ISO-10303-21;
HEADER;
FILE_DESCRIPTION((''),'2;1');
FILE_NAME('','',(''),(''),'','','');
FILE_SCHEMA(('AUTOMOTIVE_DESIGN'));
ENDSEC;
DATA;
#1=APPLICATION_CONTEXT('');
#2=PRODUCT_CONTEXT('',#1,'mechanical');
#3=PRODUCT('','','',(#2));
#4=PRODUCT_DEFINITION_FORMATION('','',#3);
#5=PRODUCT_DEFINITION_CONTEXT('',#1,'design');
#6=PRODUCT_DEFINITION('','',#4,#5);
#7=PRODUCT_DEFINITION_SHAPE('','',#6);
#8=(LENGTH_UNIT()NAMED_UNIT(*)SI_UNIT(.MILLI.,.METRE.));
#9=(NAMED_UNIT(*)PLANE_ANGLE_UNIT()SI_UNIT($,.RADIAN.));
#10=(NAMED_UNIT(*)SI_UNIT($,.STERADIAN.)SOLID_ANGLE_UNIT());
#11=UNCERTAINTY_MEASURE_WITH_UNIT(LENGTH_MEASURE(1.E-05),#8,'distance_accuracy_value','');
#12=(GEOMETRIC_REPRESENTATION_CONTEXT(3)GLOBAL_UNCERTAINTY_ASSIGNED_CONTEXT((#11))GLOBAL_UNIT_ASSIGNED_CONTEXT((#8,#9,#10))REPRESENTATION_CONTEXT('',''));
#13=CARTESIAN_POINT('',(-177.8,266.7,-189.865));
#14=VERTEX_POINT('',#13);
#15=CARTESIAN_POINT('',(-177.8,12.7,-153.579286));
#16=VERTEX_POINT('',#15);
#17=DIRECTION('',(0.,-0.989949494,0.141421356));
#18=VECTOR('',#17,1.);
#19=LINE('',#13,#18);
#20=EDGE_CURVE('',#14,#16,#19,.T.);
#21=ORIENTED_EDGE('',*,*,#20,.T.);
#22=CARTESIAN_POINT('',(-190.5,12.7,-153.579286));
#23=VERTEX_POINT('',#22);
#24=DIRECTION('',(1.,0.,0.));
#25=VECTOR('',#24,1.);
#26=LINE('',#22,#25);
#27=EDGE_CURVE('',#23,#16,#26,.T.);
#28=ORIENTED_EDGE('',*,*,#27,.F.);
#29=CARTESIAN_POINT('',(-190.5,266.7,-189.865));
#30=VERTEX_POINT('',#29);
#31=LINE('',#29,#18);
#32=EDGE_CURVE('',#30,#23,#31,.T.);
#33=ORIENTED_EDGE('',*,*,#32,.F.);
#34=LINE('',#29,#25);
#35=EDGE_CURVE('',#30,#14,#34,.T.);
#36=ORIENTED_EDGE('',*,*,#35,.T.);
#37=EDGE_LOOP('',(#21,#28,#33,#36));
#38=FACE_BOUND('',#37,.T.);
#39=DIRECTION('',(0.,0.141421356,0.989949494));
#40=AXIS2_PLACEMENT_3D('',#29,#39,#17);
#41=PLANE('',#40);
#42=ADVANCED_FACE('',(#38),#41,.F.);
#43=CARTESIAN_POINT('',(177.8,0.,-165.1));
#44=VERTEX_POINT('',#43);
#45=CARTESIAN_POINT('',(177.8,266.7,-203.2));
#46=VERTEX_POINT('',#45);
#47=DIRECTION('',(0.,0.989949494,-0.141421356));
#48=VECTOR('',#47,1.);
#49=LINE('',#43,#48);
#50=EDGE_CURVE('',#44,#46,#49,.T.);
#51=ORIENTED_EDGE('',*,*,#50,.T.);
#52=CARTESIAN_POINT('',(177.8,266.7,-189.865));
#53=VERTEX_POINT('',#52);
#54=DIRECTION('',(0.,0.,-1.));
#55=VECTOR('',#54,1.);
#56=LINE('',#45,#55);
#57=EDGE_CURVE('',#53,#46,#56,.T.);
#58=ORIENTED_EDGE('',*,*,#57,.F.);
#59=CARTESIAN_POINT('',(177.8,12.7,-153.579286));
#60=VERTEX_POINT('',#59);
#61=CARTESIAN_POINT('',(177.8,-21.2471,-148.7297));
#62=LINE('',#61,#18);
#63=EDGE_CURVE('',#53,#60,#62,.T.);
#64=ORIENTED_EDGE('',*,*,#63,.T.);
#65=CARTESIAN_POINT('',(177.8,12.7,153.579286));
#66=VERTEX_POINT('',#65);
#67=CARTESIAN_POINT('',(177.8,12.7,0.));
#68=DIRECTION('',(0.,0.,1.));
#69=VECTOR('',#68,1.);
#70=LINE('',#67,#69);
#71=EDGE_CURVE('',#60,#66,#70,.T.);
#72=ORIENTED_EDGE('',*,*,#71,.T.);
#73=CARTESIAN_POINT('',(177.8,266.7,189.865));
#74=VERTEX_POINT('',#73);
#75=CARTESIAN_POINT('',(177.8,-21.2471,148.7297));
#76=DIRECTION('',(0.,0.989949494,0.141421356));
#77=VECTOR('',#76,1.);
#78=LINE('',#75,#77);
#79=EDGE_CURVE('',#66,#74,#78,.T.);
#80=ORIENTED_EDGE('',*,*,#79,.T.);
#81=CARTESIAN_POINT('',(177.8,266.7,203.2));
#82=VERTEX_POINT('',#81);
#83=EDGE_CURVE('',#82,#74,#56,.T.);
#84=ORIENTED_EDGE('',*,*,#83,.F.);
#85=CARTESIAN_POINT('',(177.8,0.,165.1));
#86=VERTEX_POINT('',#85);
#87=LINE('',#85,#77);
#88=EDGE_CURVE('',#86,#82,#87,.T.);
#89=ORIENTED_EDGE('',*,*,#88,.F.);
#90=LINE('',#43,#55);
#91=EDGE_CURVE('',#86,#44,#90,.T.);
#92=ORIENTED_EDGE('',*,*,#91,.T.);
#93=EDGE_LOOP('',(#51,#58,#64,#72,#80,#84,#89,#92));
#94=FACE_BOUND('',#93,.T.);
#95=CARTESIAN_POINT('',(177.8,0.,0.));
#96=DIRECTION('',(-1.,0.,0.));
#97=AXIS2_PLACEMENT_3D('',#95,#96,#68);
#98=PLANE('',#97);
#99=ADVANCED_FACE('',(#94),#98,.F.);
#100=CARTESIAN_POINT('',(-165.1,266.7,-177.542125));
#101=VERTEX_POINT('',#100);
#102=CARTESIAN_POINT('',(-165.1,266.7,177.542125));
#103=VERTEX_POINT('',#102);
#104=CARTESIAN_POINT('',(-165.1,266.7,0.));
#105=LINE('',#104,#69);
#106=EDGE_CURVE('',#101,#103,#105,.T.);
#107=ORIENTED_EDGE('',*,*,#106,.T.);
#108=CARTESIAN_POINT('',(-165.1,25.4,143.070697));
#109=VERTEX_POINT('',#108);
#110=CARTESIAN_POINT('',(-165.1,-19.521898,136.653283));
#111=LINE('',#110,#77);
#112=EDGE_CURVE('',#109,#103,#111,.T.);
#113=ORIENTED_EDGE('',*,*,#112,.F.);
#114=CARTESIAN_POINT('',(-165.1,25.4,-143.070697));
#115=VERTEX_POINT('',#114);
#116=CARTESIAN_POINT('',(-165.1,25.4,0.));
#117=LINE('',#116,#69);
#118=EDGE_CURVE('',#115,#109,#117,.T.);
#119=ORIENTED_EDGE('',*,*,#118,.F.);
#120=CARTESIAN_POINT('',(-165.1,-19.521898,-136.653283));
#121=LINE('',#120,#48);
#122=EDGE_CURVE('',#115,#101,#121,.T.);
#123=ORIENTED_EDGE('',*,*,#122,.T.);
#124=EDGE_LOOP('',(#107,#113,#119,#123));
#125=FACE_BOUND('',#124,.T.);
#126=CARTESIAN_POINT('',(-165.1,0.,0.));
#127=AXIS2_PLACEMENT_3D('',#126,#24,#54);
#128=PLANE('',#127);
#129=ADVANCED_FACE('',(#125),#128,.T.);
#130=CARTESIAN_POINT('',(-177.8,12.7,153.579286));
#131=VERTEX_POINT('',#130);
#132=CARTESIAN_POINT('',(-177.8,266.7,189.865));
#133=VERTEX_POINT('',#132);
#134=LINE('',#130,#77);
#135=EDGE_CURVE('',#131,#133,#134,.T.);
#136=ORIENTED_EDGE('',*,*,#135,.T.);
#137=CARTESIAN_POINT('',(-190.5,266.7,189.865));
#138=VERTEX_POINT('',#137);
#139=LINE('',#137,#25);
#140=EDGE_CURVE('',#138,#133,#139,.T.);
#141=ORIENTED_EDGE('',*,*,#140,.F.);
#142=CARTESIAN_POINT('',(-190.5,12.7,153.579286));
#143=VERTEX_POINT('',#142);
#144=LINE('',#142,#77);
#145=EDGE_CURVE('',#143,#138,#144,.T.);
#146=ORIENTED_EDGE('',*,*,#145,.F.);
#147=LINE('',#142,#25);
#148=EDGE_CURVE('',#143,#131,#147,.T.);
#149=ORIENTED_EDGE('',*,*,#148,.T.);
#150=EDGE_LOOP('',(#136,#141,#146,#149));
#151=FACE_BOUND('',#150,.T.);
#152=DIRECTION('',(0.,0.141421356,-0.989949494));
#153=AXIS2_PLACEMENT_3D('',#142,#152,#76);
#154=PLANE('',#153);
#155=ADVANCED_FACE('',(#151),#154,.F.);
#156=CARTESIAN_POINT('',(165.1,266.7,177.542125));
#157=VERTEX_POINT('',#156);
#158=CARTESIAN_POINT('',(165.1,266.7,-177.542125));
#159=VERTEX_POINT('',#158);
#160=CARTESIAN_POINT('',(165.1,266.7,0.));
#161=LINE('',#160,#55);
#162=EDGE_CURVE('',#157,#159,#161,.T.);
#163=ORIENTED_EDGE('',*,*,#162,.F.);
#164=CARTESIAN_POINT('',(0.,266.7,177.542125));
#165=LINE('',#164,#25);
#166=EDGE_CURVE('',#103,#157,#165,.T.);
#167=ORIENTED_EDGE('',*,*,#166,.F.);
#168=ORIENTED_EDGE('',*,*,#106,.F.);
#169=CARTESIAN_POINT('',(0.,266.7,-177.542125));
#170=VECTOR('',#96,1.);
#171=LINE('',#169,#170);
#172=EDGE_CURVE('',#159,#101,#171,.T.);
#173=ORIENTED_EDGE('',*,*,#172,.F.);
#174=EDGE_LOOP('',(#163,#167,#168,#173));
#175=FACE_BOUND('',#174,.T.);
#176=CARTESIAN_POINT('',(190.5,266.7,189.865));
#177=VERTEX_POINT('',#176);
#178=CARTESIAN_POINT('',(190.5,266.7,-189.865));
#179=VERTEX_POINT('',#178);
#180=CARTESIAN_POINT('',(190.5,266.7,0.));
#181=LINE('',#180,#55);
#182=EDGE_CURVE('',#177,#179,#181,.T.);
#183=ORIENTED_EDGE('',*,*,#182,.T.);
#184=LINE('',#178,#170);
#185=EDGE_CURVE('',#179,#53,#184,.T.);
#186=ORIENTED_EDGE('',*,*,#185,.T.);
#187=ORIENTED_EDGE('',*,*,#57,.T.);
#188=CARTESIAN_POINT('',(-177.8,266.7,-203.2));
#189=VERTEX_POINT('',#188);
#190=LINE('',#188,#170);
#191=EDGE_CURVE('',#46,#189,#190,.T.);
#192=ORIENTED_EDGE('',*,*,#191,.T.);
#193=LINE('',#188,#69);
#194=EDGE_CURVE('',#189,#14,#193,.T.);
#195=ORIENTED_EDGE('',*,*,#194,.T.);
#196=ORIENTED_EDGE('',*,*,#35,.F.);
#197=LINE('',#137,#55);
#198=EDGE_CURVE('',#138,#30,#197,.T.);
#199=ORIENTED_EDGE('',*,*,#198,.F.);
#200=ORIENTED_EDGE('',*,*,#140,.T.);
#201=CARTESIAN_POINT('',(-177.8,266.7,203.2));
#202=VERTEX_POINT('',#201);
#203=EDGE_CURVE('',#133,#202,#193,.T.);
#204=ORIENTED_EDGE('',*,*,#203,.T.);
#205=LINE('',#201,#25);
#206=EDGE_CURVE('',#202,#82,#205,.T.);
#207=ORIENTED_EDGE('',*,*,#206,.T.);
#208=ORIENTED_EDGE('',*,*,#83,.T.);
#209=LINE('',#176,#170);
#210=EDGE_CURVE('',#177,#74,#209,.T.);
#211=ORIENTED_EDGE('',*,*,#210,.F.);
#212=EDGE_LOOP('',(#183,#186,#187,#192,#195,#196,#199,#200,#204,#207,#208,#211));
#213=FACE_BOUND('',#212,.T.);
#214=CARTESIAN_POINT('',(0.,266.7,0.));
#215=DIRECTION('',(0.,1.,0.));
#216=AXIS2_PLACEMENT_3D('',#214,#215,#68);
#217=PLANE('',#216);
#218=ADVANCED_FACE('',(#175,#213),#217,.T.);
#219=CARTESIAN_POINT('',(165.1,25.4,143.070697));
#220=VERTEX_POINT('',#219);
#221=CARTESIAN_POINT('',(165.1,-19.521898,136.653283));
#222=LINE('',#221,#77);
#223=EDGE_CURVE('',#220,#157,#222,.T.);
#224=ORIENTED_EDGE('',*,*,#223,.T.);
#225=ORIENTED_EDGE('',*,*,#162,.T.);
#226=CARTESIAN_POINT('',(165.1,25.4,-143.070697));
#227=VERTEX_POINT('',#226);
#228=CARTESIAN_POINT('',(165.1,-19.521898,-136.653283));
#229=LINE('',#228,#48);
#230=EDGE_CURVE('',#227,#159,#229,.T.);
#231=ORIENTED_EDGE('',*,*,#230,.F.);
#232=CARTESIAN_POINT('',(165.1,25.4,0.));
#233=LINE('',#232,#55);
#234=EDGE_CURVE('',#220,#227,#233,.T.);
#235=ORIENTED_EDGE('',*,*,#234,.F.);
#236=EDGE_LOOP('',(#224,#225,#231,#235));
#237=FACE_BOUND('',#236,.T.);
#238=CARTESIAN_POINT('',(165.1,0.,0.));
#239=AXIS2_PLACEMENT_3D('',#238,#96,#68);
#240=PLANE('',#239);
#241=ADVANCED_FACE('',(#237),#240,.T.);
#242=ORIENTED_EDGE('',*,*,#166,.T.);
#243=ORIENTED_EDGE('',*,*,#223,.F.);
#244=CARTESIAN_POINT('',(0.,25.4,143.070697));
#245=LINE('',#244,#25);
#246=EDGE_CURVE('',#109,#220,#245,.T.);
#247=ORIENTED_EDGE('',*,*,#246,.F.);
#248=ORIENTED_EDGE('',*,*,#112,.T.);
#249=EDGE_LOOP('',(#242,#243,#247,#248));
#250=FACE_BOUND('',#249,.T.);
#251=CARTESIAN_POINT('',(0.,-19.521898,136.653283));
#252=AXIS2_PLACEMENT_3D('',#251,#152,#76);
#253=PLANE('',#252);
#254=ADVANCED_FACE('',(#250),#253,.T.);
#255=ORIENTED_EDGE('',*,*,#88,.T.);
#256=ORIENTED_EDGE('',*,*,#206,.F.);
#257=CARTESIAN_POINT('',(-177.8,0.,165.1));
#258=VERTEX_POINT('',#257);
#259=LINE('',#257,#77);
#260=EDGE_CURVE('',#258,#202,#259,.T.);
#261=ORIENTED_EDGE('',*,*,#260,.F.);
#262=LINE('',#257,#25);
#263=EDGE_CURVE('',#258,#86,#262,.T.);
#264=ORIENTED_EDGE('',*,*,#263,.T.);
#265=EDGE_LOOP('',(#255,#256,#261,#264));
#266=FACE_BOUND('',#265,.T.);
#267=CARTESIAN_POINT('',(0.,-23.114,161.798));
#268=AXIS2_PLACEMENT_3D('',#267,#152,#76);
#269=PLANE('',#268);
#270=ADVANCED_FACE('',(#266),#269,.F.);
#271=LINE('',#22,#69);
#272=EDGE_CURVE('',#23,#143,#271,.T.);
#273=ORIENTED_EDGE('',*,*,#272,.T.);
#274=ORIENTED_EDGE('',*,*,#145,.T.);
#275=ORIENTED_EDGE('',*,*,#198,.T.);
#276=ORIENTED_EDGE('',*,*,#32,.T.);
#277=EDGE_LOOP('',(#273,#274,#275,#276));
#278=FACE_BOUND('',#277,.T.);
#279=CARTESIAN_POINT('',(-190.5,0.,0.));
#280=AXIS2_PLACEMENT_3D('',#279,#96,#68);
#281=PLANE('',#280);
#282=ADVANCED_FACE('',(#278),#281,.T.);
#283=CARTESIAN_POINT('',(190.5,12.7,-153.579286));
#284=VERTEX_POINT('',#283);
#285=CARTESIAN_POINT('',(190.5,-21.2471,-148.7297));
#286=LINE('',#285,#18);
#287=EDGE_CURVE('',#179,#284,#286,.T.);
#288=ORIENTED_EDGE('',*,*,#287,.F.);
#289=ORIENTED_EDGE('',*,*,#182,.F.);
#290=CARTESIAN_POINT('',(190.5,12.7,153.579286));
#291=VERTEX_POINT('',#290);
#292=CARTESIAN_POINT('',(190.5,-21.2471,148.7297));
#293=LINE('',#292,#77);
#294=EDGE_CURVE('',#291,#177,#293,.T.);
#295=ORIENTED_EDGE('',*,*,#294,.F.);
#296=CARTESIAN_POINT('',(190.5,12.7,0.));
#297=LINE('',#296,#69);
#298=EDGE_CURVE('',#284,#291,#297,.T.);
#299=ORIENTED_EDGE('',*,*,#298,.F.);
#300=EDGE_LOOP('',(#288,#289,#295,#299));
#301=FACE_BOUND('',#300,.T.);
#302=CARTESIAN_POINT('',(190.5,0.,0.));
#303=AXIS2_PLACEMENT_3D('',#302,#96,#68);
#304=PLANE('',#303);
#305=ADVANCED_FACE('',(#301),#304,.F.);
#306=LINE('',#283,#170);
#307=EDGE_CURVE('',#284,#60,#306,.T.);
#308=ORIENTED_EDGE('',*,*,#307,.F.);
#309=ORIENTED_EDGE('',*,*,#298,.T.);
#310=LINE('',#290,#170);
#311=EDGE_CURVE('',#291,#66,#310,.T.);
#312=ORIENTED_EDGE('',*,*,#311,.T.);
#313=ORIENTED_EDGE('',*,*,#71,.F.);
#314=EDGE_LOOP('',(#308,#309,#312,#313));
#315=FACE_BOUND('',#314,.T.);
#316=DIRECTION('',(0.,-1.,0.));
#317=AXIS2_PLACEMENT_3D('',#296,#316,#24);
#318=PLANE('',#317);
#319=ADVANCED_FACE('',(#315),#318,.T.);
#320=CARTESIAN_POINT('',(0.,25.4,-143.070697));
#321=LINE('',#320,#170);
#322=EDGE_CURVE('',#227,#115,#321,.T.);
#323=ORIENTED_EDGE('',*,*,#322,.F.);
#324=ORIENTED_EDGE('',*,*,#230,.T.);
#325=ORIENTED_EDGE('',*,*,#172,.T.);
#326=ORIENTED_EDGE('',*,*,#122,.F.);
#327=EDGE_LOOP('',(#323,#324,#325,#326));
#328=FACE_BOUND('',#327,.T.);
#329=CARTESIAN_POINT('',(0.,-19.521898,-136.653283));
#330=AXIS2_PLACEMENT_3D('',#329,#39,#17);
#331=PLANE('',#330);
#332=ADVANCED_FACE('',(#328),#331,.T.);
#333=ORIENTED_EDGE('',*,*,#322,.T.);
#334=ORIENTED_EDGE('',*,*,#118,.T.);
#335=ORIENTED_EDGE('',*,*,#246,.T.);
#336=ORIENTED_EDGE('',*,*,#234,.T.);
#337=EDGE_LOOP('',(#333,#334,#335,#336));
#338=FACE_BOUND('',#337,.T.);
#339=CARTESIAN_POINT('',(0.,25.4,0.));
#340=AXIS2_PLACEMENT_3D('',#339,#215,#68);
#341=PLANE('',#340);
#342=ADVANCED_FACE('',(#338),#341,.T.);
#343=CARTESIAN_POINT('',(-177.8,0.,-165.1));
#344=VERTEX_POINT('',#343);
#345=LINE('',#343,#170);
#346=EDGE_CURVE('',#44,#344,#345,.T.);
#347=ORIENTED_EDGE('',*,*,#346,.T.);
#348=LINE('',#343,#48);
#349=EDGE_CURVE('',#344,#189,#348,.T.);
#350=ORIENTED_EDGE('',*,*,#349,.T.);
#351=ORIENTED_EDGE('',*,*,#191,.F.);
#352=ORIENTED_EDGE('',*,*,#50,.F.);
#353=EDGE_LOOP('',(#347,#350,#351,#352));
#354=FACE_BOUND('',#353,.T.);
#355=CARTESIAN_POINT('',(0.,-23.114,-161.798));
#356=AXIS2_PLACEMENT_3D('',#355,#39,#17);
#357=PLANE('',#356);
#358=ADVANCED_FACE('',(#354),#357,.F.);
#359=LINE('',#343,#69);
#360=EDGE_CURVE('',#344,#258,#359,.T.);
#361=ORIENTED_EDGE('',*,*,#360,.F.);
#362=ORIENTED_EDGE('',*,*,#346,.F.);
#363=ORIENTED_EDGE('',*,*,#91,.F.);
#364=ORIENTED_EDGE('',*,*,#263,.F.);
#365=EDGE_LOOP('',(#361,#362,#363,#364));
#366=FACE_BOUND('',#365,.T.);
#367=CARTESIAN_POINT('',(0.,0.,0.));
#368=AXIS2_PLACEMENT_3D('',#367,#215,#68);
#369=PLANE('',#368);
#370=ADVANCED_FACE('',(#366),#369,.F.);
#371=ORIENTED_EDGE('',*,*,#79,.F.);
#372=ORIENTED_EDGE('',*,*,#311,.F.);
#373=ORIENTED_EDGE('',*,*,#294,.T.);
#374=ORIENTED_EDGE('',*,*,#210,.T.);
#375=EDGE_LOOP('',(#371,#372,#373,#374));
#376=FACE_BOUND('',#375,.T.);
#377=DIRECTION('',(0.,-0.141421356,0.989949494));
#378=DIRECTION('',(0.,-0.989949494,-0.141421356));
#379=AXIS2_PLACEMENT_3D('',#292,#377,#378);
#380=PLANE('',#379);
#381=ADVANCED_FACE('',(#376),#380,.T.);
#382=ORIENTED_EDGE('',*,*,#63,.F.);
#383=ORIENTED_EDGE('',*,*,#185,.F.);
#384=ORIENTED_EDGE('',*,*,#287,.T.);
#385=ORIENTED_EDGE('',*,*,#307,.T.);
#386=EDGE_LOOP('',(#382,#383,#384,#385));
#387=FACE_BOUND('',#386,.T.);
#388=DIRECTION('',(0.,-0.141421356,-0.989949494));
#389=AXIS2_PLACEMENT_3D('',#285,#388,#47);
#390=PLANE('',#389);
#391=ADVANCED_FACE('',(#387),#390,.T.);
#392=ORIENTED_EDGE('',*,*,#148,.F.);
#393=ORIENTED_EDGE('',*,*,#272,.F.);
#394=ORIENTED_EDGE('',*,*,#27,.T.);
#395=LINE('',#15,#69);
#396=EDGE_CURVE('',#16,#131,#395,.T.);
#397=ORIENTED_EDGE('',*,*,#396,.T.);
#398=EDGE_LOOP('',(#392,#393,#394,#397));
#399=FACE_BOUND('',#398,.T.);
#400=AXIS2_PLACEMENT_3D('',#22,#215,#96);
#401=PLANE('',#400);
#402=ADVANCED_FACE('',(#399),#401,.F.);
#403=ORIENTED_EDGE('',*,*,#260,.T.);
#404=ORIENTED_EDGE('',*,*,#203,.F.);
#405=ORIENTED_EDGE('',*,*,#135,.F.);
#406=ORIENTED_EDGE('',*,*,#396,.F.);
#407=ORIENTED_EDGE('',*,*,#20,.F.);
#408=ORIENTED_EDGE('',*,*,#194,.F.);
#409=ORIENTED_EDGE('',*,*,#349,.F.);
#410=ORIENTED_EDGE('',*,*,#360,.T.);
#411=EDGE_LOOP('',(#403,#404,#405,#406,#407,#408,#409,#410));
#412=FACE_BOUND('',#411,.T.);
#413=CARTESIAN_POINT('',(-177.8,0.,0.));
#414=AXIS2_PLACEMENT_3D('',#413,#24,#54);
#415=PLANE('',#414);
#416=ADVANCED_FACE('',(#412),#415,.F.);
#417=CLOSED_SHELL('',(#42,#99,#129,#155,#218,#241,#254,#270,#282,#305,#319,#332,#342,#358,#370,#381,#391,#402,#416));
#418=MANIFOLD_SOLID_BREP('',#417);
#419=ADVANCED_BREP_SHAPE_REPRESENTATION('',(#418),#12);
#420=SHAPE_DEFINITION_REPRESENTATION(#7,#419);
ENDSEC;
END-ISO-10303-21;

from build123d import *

# Parameters (mm, degrees)
SHELL1_T                 = -25.4
SHELL1_THICKNESS_2_DEPTH = 12.7
SHELL1_THICKNESS_3_DEPTH = 12.7
BOSS_EXTRUDE2_START      = -12.7
BOSS_EXTRUDE2_DEPTH      = 25.4
BOSS_EXTRUDE3_DEPTH      = 12.7


with BuildPart() as part:
    # Sketch1 → Loft1 section 0
    with BuildSketch(Plane(origin=(0, 0, 0), x_dir=(1, 0, 0), z_dir=(0, 1, 0))):
        with BuildLine():
            Line((-177.8, 165.1), (177.8, 165.1))
            Line((177.8, 165.1), (177.8, -165.1))
            Line((177.8, -165.1), (-177.8, -165.1))
            Line((-177.8, -165.1), (-177.8, 165.1))
        make_face()
    # Sketch2 → Loft1 section 1
    with BuildSketch(Plane(origin=(0, 266.7, 0), x_dir=(1, 0, 0), z_dir=(0, 1, 0))):
        with BuildLine():
            Line((-177.8, 203.2), (177.8, 203.2))
            Line((177.8, 203.2), (177.8, -203.2))
            Line((177.8, -203.2), (-177.8, -203.2))
            Line((-177.8, -203.2), (-177.8, 203.2))
        make_face()
    loft()

    # Shell1
    shell1_openings = [part.faces().sort_by_distance(p)[0] for p in [
        (0, 266.7, 0),
    ]]
    offset(amount=SHELL1_T, openings=shell1_openings, kind=Kind.INTERSECTION)

    # Shell1 thickness 2 face (on inner face of the shell) → Shell1 thickness 2 (cut)
    with BuildSketch(Plane(origin=(-152.4, 150.373987865, 0), x_dir=(0, 0, -1), z_dir=(-1, 0, 0))):
        Polygon((-143.070696797, 124.973987865), (143.070696797, 124.973987865), (177.542125368, -116.326012135), (-177.542125368, -116.326012135), align=None)
    extrude(amount=SHELL1_THICKNESS_2_DEPTH, mode=Mode.SUBTRACT)

    # Shell1 thickness 3 face (on inner face of the shell) → Shell1 thickness 3 (cut)
    with BuildSketch(Plane(origin=(152.4, 150.373987865, 0), x_dir=(0, 0, 1), z_dir=(1, 0, 0))):
        Polygon((177.542125368, -116.326012135), (-177.542125368, -116.326012135), (-143.070696797, 124.973987865), (143.070696797, 124.973987865), align=None)
    extrude(amount=SHELL1_THICKNESS_3_DEPTH, mode=Mode.SUBTRACT)

    # Sketch4 → Boss-Extrude2 (add)
    with BuildSketch(Plane(origin=(177.8, 0, 0), x_dir=(0, 0, -1), z_dir=(1, 0, 0)).offset(BOSS_EXTRUDE2_START)):
        Polygon((189.865, 266.7), (153.579285714, 12.7), (-153.579285714, 12.7), (-189.865, 266.7), align=None)
    extrude(amount=BOSS_EXTRUDE2_DEPTH)

    # Sketch5 → Boss-Extrude3 (add)
    with BuildSketch(Plane.ZY.offset(177.8)):
        Polygon((-153.579285714, 12.7), (153.579285714, 12.7), (189.865, 266.7), (-189.865, 266.7), align=None)
    extrude(amount=BOSS_EXTRUDE3_DEPTH)


solid = part.part
